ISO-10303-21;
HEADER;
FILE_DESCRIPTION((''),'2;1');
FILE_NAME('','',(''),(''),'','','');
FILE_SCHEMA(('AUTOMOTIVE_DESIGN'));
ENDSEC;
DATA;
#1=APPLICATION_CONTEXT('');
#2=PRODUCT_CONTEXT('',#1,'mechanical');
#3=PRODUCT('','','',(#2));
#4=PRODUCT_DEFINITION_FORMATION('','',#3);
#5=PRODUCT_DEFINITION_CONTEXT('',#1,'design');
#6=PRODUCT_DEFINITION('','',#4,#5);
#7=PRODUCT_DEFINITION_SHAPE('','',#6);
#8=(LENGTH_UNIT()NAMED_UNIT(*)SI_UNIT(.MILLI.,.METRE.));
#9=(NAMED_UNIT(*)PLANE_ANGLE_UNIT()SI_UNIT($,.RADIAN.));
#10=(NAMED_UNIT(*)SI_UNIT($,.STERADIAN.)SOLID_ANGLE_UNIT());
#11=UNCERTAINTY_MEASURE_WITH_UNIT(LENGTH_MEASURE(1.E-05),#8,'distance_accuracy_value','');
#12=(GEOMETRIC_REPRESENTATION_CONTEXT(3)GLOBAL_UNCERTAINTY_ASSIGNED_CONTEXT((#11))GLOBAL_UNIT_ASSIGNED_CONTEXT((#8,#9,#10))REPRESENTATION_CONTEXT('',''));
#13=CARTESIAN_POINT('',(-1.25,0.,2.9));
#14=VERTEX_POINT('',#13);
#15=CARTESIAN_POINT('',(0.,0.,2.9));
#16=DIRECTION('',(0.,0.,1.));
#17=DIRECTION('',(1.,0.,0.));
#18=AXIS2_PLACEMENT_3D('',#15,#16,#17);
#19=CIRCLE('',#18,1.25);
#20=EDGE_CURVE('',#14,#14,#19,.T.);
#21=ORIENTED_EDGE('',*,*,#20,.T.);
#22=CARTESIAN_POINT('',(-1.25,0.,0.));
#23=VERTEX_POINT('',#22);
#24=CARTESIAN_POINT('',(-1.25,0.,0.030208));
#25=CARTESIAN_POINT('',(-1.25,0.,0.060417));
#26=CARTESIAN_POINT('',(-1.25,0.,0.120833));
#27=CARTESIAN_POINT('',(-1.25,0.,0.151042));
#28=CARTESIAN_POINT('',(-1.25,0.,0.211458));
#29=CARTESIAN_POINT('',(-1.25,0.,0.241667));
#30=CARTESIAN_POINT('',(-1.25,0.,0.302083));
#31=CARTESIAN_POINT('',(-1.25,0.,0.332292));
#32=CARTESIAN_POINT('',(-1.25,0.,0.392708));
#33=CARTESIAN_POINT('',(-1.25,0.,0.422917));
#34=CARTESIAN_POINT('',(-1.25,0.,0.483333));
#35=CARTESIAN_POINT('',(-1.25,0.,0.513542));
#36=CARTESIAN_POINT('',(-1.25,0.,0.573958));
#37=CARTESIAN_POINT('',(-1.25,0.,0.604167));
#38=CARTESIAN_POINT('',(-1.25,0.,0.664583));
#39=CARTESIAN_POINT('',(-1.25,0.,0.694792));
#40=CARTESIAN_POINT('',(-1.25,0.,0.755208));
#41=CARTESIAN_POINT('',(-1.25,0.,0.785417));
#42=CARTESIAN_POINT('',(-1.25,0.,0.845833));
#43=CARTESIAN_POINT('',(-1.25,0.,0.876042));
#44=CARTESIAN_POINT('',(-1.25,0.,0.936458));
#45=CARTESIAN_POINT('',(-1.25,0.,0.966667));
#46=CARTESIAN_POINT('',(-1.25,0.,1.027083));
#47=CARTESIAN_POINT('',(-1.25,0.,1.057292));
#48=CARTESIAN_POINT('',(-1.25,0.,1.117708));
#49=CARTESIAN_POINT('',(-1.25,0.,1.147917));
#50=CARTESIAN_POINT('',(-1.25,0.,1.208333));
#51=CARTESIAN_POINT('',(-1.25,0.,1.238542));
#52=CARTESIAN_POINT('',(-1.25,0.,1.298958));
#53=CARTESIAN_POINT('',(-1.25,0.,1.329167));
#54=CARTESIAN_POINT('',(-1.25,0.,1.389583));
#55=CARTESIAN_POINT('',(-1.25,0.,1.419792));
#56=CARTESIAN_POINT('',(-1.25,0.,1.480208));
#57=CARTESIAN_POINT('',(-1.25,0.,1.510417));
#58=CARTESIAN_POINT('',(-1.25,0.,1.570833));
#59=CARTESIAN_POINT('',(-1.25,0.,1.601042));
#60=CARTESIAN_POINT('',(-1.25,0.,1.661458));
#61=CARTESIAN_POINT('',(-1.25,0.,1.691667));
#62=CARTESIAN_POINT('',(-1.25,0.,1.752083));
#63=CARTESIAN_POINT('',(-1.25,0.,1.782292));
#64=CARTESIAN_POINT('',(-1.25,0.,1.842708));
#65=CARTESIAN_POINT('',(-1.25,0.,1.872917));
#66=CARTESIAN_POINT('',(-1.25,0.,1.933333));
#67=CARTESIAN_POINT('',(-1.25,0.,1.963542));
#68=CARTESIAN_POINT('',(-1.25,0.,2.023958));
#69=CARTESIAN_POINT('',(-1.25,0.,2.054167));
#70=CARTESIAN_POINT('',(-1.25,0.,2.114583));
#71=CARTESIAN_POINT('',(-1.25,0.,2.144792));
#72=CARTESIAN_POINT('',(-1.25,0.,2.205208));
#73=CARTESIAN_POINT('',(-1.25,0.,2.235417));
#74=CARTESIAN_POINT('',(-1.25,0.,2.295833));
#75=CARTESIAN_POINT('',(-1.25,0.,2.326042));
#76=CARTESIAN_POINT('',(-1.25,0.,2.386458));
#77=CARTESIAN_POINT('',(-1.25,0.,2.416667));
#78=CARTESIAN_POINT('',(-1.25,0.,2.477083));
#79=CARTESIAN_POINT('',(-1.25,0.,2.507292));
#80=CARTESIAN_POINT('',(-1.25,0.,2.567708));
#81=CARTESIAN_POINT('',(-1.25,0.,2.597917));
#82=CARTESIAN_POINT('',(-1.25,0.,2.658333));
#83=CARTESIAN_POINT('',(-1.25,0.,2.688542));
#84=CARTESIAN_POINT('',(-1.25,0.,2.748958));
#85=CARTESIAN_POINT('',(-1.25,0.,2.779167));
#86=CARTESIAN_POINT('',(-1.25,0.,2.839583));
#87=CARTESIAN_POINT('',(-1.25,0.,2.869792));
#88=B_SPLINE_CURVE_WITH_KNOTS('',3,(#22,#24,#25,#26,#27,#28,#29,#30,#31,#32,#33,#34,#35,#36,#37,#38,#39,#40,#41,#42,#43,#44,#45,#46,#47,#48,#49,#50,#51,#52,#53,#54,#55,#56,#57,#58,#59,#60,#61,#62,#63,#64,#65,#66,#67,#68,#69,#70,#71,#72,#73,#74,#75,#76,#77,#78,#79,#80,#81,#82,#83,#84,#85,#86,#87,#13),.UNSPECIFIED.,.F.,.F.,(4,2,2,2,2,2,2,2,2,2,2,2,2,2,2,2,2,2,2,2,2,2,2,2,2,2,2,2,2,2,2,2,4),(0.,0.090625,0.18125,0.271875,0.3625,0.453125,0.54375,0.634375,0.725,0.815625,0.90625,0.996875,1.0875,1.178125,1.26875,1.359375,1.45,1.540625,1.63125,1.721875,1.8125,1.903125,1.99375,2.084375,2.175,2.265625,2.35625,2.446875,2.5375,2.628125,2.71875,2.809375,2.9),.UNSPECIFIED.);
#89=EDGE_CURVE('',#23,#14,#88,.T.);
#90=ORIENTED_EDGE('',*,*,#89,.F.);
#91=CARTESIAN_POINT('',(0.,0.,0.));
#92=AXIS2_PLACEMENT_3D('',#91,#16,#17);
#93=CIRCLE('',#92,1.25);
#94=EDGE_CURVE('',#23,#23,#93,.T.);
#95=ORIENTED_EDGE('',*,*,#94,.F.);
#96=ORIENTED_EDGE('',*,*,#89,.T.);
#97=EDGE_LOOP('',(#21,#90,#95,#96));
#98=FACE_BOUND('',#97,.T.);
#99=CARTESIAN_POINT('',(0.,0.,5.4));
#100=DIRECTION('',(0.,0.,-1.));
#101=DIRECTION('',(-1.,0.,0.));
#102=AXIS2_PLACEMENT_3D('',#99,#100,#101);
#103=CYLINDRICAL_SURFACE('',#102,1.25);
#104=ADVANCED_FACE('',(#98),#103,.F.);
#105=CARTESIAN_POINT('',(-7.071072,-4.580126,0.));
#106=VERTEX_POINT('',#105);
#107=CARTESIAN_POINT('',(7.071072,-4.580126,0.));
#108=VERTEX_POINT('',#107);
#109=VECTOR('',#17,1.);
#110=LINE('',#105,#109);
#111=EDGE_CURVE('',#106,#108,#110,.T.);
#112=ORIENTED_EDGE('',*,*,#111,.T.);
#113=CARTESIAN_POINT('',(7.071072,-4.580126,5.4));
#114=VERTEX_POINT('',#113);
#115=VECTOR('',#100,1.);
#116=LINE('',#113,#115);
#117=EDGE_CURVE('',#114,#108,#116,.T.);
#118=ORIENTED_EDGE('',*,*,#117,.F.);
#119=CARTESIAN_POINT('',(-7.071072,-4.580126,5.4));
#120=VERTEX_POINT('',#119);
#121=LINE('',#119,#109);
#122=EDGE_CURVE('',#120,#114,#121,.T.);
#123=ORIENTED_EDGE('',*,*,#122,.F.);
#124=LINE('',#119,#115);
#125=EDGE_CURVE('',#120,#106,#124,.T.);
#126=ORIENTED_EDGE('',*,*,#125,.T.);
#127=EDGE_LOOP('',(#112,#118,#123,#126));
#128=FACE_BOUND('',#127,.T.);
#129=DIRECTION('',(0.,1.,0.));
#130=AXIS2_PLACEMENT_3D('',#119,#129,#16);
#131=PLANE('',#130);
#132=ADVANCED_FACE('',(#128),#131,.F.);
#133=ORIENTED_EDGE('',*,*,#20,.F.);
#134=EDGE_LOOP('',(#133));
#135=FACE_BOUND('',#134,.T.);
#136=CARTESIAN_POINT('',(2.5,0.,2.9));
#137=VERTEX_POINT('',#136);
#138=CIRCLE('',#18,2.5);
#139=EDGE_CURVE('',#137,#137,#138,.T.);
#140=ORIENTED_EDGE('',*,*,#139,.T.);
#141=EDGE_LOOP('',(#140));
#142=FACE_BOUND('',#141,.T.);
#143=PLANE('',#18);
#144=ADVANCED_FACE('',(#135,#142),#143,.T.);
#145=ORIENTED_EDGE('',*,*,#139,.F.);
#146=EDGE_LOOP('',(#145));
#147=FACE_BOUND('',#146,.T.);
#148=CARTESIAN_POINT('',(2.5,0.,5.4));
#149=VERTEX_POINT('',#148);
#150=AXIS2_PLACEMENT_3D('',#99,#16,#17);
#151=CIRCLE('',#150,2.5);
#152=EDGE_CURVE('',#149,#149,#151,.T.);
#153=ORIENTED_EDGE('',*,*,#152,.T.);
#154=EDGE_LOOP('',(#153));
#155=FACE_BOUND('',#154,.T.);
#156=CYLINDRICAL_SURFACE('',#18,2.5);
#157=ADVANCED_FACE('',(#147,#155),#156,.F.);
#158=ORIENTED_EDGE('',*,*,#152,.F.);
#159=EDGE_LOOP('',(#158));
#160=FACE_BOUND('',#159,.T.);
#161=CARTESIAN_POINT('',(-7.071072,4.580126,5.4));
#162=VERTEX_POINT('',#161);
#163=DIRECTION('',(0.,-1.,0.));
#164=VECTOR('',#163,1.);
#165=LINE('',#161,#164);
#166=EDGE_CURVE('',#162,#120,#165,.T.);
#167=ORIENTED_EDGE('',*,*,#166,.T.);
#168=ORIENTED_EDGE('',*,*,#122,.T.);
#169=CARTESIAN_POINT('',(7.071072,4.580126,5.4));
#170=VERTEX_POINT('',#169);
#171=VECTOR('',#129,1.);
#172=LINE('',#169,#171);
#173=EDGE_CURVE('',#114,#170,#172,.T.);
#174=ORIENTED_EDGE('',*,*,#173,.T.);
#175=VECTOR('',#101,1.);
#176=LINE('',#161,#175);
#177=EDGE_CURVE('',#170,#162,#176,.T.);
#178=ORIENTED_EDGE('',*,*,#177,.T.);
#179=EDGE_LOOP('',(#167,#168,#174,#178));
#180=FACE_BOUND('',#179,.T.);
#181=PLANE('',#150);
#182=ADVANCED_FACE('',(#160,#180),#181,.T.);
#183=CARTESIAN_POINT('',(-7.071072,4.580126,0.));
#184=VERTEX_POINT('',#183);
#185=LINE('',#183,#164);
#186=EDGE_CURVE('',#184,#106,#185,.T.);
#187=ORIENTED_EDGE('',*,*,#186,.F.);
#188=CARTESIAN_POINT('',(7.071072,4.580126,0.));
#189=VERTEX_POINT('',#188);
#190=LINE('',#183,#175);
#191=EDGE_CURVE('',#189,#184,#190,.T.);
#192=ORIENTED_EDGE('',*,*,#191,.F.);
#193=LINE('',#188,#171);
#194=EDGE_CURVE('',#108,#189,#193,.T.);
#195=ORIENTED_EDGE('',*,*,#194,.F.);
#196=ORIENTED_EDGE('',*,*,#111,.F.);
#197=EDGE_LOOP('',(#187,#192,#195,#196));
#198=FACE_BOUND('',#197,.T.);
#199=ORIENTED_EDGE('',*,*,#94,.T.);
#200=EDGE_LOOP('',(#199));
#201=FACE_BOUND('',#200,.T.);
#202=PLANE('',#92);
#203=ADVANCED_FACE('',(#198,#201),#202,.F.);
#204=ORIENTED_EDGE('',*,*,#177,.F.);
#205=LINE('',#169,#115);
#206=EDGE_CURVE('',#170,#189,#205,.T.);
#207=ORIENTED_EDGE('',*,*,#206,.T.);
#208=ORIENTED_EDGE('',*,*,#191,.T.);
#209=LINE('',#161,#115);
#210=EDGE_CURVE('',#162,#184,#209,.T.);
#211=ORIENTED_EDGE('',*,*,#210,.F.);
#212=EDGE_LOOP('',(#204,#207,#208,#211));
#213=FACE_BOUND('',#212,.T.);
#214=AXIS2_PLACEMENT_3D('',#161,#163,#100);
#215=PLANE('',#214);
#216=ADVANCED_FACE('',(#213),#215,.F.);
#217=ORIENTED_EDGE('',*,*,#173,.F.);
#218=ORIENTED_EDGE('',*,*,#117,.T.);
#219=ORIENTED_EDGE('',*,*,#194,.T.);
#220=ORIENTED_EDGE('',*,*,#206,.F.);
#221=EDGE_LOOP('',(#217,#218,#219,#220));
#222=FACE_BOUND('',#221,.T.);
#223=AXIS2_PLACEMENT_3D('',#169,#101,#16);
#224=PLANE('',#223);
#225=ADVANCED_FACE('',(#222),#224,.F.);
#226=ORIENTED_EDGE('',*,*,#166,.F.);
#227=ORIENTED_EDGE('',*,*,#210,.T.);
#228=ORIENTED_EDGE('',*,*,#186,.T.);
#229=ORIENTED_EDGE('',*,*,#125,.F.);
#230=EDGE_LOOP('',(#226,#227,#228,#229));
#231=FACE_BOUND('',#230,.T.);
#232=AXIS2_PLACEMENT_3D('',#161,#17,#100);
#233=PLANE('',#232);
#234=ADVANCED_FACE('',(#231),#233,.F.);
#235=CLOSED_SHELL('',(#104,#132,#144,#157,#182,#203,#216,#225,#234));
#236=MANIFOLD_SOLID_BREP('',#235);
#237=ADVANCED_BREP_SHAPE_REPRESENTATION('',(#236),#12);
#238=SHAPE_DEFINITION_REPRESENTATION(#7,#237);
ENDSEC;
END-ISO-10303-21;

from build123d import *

# Parameters (mm, degrees)
SKETCH1_W           = 14.142143214
SKETCH1_H           = 9.160251854
SKETCH1_R           = 1.25
BOSS_EXTRUDE1_DEPTH = 5.4
SKETCH2_R           = 2.5
CUT_EXTRUDE1_DEPTH  = 2.5


with BuildPart() as part:
    # Sketch1 → Boss-Extrude1 (new body)
    with BuildSketch(Plane.XY):
        Rectangle(SKETCH1_W, SKETCH1_H)
        with Locations(Location((0, 0, 0), (0, 0, 180))):
            Circle(SKETCH1_R, mode=Mode.SUBTRACT)
    extrude(amount=BOSS_EXTRUDE1_DEPTH)

    # Sketch2 → Cut-Extrude1 (cut)
    with BuildSketch(Plane.XY.offset(5.4)):
        Circle(SKETCH2_R)
    extrude(amount=-CUT_EXTRUDE1_DEPTH, mode=Mode.SUBTRACT)


solid = part.part
